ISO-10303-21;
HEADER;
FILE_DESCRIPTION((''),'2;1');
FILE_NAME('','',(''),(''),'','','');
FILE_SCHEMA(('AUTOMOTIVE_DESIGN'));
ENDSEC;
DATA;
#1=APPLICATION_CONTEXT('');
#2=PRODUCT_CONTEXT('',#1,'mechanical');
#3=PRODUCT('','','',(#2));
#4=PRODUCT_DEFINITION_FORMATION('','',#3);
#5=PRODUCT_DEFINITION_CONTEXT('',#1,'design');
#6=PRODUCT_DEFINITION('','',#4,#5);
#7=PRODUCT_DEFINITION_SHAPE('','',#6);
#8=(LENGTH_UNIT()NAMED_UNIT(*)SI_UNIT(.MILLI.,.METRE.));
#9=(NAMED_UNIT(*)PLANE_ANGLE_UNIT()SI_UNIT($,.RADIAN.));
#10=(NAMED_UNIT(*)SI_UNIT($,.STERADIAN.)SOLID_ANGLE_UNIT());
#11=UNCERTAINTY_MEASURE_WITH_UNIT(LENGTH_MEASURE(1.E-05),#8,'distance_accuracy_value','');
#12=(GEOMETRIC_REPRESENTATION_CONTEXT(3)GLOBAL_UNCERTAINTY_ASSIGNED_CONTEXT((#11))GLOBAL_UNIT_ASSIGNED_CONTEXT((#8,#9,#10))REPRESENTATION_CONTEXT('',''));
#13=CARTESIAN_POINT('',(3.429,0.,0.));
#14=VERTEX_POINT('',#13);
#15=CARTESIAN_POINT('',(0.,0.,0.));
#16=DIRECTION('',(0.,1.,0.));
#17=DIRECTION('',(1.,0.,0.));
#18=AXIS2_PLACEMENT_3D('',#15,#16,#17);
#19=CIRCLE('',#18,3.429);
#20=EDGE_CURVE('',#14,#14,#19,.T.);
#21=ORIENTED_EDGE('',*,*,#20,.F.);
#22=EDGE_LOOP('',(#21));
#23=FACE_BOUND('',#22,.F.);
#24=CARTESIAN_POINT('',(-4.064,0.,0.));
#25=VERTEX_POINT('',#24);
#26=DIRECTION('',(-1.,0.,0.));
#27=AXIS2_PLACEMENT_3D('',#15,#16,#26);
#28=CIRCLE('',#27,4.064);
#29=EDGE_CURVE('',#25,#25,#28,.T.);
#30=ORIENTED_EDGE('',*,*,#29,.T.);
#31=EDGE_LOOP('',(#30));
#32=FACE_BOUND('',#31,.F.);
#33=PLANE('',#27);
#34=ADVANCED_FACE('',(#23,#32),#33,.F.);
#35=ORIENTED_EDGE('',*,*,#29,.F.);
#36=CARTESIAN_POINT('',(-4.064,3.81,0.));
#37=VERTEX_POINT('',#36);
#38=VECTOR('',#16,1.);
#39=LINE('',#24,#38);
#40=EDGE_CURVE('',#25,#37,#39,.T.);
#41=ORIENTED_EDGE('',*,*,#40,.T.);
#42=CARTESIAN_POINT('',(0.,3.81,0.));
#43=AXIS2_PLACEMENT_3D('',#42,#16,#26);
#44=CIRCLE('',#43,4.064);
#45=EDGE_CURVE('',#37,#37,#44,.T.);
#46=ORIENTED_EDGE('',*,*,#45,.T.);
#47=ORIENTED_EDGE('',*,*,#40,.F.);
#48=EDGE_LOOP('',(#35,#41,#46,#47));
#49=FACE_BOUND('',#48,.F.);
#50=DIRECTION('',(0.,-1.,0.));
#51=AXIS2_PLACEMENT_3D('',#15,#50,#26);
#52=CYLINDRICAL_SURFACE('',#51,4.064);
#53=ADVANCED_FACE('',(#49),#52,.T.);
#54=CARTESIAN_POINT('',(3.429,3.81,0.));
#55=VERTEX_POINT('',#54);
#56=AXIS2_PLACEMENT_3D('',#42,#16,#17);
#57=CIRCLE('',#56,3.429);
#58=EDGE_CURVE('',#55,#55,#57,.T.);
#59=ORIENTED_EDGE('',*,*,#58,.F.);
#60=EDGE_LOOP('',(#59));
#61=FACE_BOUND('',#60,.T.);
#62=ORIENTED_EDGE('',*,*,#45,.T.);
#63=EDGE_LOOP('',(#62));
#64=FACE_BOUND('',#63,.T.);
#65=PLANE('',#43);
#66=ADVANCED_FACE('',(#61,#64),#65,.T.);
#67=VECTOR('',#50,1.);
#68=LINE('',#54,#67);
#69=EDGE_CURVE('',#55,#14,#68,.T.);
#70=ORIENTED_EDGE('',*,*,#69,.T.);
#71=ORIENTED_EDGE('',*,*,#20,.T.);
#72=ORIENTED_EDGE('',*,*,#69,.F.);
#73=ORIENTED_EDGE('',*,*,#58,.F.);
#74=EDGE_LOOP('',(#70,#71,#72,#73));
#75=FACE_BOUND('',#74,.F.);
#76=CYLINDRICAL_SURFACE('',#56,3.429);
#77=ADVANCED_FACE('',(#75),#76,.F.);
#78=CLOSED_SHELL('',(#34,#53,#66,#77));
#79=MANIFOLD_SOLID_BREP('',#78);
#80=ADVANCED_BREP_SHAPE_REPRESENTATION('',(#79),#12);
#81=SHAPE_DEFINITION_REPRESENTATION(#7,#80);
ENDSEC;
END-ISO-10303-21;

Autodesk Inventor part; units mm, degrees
ref_plane "YZ Plane" through (0, 0, 0) normal (1, 0, 0) x (0, 1, 0)
ref_plane "XZ Plane" through (0, 0, 0) normal (0, 1, 0) x (-1, 0, 0)
ref_plane "XY Plane" through (0, 0, 0) normal (0, 0, 1) x (1, 0, 0)
sketch "Sketch1" plane through (0, 0, 0) normal (0, 1, 0) x (-1, 0, 0)
  circle A0 centre (0, 0) radius 4.064
  dimension "d0" = 8.128
extrude "Extrusion1" add sketch "Sketch1" along normal blind 3.81
sketch "Sketch2" plane through (0, 3.81, 0) normal (0, 1, 0) x (1, 0, 0)
  circle A0 centre (0, 0) radius 3.429
  dimension "d3" = 6.858
extrude "Extrusion2" cut sketch "Sketch2" against normal through all
properties part number "NewBigSpacer"
